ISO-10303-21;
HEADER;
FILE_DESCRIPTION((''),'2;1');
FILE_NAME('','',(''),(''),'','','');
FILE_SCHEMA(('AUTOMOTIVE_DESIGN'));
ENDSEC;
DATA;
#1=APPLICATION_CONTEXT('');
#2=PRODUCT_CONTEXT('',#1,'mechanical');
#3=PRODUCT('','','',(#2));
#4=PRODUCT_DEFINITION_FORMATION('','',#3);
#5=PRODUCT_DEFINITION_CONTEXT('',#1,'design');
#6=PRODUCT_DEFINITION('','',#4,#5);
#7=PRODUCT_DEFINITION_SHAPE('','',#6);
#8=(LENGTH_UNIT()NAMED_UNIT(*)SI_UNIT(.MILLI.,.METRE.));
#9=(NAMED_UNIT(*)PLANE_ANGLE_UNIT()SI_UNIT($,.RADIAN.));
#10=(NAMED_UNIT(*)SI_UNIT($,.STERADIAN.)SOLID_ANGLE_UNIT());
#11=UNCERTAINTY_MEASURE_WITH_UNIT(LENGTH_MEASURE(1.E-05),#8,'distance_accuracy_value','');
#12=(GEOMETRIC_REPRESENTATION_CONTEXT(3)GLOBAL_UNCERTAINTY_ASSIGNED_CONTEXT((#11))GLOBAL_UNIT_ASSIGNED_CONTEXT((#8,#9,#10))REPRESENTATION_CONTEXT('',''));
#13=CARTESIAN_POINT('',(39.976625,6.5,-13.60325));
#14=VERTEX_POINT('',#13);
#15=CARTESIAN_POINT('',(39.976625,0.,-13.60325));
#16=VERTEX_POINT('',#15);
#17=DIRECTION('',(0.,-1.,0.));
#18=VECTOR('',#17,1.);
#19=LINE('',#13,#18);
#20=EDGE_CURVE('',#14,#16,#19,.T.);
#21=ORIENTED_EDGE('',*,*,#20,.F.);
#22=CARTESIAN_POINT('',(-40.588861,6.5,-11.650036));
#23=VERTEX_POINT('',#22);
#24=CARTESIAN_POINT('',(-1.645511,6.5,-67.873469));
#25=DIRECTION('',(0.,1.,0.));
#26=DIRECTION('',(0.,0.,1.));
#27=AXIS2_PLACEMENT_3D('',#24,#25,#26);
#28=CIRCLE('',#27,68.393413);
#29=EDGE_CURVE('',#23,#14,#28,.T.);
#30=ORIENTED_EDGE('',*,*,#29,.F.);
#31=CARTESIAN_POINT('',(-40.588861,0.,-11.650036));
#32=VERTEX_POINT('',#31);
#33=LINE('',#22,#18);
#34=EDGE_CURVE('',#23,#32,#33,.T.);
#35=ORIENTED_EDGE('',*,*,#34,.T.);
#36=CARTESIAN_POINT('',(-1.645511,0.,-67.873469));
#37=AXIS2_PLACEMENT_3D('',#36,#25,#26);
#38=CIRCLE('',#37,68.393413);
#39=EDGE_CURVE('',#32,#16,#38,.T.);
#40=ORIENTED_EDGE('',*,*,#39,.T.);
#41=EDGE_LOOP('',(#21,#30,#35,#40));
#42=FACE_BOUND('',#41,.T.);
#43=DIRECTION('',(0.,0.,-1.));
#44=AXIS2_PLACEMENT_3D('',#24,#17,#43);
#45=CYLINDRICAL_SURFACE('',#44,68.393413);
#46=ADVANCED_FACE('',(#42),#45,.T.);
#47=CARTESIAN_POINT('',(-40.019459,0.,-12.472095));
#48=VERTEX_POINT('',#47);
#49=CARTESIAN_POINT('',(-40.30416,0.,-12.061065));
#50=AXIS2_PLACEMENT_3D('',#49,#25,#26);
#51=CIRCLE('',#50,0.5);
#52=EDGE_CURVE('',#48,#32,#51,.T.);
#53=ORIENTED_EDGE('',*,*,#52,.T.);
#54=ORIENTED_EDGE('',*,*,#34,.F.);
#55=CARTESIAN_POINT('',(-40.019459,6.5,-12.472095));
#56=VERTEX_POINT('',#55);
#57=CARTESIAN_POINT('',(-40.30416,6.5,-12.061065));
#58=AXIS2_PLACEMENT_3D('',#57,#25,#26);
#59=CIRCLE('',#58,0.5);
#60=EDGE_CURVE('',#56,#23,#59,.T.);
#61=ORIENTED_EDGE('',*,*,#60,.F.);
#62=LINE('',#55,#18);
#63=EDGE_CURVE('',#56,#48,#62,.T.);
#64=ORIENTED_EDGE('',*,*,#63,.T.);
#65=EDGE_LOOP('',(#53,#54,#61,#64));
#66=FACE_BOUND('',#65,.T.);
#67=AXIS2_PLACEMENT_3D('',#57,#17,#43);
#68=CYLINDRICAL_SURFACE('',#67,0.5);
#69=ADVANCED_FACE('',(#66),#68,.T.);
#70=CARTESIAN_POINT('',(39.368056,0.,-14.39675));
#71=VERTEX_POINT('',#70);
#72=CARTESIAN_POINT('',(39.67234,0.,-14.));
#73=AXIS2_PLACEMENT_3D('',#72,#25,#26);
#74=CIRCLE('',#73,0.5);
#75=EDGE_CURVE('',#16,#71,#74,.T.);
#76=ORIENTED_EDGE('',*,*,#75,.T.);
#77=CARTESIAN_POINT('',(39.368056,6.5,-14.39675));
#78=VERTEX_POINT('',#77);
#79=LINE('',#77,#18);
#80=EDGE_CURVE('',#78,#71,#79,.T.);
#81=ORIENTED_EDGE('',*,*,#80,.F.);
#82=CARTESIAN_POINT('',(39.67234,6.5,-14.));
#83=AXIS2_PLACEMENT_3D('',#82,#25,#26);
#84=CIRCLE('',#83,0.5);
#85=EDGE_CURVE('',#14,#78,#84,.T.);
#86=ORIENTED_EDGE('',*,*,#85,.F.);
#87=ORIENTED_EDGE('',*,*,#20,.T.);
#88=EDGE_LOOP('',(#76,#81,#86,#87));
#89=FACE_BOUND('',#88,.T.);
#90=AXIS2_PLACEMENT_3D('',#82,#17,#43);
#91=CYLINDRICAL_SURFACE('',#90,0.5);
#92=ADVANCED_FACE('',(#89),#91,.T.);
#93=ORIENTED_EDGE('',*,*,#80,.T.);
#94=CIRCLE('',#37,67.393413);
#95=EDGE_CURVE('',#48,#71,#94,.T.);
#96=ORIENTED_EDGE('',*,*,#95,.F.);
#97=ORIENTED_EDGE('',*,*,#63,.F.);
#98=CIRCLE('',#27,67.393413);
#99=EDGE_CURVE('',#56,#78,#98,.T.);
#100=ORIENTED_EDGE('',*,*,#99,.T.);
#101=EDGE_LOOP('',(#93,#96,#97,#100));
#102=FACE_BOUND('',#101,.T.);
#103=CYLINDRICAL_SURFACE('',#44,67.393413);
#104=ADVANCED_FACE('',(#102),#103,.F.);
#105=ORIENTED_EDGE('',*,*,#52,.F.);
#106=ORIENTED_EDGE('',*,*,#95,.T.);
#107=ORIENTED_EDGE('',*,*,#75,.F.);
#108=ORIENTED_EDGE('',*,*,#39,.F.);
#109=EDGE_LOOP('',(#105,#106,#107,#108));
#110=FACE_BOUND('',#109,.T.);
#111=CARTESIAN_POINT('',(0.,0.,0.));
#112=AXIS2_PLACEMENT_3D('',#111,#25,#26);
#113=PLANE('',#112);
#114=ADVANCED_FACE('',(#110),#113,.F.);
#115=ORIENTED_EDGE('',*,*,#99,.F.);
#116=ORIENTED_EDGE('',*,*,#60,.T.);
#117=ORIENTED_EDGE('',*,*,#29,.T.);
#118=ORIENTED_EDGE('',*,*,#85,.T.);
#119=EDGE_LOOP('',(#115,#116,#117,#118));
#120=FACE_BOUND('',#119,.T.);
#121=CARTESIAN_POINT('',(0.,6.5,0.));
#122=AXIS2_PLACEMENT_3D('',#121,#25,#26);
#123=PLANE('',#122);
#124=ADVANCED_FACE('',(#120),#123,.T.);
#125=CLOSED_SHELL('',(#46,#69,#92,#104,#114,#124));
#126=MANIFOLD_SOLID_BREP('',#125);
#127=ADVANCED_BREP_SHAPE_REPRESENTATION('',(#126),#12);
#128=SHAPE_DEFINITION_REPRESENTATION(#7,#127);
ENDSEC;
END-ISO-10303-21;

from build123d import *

# Parameters (mm, degrees)
BOSS_EXTRUDE1_DEPTH = 6.5


with BuildPart() as part:
    # Sketch1 → Boss-Extrude1 (new body)
    with BuildSketch(Plane(origin=(0, 0, 0), x_dir=(1, 0, 0), z_dir=(0, 1, 0))):
        with BuildLine():
            ThreePointArc((-40.588860661, 11.650035695), (0.012118342, -0.499853124), (39.976624921, 13.603249661))
            ThreePointArc((39.976624921, 13.603249661), (40.069090576, 14.304284684), (39.368055554, 14.396750339))
            ThreePointArc((39.368055554, 14.396750339), (-0.012118342, 0.499853124), (-40.019458613, 12.472094882))
            ThreePointArc((-40.019458613, 12.472094882), (-40.715189231, 12.345766313), (-40.588860661, 11.650035695))
        make_face()
    extrude(amount=BOSS_EXTRUDE1_DEPTH)


solid = part.part
